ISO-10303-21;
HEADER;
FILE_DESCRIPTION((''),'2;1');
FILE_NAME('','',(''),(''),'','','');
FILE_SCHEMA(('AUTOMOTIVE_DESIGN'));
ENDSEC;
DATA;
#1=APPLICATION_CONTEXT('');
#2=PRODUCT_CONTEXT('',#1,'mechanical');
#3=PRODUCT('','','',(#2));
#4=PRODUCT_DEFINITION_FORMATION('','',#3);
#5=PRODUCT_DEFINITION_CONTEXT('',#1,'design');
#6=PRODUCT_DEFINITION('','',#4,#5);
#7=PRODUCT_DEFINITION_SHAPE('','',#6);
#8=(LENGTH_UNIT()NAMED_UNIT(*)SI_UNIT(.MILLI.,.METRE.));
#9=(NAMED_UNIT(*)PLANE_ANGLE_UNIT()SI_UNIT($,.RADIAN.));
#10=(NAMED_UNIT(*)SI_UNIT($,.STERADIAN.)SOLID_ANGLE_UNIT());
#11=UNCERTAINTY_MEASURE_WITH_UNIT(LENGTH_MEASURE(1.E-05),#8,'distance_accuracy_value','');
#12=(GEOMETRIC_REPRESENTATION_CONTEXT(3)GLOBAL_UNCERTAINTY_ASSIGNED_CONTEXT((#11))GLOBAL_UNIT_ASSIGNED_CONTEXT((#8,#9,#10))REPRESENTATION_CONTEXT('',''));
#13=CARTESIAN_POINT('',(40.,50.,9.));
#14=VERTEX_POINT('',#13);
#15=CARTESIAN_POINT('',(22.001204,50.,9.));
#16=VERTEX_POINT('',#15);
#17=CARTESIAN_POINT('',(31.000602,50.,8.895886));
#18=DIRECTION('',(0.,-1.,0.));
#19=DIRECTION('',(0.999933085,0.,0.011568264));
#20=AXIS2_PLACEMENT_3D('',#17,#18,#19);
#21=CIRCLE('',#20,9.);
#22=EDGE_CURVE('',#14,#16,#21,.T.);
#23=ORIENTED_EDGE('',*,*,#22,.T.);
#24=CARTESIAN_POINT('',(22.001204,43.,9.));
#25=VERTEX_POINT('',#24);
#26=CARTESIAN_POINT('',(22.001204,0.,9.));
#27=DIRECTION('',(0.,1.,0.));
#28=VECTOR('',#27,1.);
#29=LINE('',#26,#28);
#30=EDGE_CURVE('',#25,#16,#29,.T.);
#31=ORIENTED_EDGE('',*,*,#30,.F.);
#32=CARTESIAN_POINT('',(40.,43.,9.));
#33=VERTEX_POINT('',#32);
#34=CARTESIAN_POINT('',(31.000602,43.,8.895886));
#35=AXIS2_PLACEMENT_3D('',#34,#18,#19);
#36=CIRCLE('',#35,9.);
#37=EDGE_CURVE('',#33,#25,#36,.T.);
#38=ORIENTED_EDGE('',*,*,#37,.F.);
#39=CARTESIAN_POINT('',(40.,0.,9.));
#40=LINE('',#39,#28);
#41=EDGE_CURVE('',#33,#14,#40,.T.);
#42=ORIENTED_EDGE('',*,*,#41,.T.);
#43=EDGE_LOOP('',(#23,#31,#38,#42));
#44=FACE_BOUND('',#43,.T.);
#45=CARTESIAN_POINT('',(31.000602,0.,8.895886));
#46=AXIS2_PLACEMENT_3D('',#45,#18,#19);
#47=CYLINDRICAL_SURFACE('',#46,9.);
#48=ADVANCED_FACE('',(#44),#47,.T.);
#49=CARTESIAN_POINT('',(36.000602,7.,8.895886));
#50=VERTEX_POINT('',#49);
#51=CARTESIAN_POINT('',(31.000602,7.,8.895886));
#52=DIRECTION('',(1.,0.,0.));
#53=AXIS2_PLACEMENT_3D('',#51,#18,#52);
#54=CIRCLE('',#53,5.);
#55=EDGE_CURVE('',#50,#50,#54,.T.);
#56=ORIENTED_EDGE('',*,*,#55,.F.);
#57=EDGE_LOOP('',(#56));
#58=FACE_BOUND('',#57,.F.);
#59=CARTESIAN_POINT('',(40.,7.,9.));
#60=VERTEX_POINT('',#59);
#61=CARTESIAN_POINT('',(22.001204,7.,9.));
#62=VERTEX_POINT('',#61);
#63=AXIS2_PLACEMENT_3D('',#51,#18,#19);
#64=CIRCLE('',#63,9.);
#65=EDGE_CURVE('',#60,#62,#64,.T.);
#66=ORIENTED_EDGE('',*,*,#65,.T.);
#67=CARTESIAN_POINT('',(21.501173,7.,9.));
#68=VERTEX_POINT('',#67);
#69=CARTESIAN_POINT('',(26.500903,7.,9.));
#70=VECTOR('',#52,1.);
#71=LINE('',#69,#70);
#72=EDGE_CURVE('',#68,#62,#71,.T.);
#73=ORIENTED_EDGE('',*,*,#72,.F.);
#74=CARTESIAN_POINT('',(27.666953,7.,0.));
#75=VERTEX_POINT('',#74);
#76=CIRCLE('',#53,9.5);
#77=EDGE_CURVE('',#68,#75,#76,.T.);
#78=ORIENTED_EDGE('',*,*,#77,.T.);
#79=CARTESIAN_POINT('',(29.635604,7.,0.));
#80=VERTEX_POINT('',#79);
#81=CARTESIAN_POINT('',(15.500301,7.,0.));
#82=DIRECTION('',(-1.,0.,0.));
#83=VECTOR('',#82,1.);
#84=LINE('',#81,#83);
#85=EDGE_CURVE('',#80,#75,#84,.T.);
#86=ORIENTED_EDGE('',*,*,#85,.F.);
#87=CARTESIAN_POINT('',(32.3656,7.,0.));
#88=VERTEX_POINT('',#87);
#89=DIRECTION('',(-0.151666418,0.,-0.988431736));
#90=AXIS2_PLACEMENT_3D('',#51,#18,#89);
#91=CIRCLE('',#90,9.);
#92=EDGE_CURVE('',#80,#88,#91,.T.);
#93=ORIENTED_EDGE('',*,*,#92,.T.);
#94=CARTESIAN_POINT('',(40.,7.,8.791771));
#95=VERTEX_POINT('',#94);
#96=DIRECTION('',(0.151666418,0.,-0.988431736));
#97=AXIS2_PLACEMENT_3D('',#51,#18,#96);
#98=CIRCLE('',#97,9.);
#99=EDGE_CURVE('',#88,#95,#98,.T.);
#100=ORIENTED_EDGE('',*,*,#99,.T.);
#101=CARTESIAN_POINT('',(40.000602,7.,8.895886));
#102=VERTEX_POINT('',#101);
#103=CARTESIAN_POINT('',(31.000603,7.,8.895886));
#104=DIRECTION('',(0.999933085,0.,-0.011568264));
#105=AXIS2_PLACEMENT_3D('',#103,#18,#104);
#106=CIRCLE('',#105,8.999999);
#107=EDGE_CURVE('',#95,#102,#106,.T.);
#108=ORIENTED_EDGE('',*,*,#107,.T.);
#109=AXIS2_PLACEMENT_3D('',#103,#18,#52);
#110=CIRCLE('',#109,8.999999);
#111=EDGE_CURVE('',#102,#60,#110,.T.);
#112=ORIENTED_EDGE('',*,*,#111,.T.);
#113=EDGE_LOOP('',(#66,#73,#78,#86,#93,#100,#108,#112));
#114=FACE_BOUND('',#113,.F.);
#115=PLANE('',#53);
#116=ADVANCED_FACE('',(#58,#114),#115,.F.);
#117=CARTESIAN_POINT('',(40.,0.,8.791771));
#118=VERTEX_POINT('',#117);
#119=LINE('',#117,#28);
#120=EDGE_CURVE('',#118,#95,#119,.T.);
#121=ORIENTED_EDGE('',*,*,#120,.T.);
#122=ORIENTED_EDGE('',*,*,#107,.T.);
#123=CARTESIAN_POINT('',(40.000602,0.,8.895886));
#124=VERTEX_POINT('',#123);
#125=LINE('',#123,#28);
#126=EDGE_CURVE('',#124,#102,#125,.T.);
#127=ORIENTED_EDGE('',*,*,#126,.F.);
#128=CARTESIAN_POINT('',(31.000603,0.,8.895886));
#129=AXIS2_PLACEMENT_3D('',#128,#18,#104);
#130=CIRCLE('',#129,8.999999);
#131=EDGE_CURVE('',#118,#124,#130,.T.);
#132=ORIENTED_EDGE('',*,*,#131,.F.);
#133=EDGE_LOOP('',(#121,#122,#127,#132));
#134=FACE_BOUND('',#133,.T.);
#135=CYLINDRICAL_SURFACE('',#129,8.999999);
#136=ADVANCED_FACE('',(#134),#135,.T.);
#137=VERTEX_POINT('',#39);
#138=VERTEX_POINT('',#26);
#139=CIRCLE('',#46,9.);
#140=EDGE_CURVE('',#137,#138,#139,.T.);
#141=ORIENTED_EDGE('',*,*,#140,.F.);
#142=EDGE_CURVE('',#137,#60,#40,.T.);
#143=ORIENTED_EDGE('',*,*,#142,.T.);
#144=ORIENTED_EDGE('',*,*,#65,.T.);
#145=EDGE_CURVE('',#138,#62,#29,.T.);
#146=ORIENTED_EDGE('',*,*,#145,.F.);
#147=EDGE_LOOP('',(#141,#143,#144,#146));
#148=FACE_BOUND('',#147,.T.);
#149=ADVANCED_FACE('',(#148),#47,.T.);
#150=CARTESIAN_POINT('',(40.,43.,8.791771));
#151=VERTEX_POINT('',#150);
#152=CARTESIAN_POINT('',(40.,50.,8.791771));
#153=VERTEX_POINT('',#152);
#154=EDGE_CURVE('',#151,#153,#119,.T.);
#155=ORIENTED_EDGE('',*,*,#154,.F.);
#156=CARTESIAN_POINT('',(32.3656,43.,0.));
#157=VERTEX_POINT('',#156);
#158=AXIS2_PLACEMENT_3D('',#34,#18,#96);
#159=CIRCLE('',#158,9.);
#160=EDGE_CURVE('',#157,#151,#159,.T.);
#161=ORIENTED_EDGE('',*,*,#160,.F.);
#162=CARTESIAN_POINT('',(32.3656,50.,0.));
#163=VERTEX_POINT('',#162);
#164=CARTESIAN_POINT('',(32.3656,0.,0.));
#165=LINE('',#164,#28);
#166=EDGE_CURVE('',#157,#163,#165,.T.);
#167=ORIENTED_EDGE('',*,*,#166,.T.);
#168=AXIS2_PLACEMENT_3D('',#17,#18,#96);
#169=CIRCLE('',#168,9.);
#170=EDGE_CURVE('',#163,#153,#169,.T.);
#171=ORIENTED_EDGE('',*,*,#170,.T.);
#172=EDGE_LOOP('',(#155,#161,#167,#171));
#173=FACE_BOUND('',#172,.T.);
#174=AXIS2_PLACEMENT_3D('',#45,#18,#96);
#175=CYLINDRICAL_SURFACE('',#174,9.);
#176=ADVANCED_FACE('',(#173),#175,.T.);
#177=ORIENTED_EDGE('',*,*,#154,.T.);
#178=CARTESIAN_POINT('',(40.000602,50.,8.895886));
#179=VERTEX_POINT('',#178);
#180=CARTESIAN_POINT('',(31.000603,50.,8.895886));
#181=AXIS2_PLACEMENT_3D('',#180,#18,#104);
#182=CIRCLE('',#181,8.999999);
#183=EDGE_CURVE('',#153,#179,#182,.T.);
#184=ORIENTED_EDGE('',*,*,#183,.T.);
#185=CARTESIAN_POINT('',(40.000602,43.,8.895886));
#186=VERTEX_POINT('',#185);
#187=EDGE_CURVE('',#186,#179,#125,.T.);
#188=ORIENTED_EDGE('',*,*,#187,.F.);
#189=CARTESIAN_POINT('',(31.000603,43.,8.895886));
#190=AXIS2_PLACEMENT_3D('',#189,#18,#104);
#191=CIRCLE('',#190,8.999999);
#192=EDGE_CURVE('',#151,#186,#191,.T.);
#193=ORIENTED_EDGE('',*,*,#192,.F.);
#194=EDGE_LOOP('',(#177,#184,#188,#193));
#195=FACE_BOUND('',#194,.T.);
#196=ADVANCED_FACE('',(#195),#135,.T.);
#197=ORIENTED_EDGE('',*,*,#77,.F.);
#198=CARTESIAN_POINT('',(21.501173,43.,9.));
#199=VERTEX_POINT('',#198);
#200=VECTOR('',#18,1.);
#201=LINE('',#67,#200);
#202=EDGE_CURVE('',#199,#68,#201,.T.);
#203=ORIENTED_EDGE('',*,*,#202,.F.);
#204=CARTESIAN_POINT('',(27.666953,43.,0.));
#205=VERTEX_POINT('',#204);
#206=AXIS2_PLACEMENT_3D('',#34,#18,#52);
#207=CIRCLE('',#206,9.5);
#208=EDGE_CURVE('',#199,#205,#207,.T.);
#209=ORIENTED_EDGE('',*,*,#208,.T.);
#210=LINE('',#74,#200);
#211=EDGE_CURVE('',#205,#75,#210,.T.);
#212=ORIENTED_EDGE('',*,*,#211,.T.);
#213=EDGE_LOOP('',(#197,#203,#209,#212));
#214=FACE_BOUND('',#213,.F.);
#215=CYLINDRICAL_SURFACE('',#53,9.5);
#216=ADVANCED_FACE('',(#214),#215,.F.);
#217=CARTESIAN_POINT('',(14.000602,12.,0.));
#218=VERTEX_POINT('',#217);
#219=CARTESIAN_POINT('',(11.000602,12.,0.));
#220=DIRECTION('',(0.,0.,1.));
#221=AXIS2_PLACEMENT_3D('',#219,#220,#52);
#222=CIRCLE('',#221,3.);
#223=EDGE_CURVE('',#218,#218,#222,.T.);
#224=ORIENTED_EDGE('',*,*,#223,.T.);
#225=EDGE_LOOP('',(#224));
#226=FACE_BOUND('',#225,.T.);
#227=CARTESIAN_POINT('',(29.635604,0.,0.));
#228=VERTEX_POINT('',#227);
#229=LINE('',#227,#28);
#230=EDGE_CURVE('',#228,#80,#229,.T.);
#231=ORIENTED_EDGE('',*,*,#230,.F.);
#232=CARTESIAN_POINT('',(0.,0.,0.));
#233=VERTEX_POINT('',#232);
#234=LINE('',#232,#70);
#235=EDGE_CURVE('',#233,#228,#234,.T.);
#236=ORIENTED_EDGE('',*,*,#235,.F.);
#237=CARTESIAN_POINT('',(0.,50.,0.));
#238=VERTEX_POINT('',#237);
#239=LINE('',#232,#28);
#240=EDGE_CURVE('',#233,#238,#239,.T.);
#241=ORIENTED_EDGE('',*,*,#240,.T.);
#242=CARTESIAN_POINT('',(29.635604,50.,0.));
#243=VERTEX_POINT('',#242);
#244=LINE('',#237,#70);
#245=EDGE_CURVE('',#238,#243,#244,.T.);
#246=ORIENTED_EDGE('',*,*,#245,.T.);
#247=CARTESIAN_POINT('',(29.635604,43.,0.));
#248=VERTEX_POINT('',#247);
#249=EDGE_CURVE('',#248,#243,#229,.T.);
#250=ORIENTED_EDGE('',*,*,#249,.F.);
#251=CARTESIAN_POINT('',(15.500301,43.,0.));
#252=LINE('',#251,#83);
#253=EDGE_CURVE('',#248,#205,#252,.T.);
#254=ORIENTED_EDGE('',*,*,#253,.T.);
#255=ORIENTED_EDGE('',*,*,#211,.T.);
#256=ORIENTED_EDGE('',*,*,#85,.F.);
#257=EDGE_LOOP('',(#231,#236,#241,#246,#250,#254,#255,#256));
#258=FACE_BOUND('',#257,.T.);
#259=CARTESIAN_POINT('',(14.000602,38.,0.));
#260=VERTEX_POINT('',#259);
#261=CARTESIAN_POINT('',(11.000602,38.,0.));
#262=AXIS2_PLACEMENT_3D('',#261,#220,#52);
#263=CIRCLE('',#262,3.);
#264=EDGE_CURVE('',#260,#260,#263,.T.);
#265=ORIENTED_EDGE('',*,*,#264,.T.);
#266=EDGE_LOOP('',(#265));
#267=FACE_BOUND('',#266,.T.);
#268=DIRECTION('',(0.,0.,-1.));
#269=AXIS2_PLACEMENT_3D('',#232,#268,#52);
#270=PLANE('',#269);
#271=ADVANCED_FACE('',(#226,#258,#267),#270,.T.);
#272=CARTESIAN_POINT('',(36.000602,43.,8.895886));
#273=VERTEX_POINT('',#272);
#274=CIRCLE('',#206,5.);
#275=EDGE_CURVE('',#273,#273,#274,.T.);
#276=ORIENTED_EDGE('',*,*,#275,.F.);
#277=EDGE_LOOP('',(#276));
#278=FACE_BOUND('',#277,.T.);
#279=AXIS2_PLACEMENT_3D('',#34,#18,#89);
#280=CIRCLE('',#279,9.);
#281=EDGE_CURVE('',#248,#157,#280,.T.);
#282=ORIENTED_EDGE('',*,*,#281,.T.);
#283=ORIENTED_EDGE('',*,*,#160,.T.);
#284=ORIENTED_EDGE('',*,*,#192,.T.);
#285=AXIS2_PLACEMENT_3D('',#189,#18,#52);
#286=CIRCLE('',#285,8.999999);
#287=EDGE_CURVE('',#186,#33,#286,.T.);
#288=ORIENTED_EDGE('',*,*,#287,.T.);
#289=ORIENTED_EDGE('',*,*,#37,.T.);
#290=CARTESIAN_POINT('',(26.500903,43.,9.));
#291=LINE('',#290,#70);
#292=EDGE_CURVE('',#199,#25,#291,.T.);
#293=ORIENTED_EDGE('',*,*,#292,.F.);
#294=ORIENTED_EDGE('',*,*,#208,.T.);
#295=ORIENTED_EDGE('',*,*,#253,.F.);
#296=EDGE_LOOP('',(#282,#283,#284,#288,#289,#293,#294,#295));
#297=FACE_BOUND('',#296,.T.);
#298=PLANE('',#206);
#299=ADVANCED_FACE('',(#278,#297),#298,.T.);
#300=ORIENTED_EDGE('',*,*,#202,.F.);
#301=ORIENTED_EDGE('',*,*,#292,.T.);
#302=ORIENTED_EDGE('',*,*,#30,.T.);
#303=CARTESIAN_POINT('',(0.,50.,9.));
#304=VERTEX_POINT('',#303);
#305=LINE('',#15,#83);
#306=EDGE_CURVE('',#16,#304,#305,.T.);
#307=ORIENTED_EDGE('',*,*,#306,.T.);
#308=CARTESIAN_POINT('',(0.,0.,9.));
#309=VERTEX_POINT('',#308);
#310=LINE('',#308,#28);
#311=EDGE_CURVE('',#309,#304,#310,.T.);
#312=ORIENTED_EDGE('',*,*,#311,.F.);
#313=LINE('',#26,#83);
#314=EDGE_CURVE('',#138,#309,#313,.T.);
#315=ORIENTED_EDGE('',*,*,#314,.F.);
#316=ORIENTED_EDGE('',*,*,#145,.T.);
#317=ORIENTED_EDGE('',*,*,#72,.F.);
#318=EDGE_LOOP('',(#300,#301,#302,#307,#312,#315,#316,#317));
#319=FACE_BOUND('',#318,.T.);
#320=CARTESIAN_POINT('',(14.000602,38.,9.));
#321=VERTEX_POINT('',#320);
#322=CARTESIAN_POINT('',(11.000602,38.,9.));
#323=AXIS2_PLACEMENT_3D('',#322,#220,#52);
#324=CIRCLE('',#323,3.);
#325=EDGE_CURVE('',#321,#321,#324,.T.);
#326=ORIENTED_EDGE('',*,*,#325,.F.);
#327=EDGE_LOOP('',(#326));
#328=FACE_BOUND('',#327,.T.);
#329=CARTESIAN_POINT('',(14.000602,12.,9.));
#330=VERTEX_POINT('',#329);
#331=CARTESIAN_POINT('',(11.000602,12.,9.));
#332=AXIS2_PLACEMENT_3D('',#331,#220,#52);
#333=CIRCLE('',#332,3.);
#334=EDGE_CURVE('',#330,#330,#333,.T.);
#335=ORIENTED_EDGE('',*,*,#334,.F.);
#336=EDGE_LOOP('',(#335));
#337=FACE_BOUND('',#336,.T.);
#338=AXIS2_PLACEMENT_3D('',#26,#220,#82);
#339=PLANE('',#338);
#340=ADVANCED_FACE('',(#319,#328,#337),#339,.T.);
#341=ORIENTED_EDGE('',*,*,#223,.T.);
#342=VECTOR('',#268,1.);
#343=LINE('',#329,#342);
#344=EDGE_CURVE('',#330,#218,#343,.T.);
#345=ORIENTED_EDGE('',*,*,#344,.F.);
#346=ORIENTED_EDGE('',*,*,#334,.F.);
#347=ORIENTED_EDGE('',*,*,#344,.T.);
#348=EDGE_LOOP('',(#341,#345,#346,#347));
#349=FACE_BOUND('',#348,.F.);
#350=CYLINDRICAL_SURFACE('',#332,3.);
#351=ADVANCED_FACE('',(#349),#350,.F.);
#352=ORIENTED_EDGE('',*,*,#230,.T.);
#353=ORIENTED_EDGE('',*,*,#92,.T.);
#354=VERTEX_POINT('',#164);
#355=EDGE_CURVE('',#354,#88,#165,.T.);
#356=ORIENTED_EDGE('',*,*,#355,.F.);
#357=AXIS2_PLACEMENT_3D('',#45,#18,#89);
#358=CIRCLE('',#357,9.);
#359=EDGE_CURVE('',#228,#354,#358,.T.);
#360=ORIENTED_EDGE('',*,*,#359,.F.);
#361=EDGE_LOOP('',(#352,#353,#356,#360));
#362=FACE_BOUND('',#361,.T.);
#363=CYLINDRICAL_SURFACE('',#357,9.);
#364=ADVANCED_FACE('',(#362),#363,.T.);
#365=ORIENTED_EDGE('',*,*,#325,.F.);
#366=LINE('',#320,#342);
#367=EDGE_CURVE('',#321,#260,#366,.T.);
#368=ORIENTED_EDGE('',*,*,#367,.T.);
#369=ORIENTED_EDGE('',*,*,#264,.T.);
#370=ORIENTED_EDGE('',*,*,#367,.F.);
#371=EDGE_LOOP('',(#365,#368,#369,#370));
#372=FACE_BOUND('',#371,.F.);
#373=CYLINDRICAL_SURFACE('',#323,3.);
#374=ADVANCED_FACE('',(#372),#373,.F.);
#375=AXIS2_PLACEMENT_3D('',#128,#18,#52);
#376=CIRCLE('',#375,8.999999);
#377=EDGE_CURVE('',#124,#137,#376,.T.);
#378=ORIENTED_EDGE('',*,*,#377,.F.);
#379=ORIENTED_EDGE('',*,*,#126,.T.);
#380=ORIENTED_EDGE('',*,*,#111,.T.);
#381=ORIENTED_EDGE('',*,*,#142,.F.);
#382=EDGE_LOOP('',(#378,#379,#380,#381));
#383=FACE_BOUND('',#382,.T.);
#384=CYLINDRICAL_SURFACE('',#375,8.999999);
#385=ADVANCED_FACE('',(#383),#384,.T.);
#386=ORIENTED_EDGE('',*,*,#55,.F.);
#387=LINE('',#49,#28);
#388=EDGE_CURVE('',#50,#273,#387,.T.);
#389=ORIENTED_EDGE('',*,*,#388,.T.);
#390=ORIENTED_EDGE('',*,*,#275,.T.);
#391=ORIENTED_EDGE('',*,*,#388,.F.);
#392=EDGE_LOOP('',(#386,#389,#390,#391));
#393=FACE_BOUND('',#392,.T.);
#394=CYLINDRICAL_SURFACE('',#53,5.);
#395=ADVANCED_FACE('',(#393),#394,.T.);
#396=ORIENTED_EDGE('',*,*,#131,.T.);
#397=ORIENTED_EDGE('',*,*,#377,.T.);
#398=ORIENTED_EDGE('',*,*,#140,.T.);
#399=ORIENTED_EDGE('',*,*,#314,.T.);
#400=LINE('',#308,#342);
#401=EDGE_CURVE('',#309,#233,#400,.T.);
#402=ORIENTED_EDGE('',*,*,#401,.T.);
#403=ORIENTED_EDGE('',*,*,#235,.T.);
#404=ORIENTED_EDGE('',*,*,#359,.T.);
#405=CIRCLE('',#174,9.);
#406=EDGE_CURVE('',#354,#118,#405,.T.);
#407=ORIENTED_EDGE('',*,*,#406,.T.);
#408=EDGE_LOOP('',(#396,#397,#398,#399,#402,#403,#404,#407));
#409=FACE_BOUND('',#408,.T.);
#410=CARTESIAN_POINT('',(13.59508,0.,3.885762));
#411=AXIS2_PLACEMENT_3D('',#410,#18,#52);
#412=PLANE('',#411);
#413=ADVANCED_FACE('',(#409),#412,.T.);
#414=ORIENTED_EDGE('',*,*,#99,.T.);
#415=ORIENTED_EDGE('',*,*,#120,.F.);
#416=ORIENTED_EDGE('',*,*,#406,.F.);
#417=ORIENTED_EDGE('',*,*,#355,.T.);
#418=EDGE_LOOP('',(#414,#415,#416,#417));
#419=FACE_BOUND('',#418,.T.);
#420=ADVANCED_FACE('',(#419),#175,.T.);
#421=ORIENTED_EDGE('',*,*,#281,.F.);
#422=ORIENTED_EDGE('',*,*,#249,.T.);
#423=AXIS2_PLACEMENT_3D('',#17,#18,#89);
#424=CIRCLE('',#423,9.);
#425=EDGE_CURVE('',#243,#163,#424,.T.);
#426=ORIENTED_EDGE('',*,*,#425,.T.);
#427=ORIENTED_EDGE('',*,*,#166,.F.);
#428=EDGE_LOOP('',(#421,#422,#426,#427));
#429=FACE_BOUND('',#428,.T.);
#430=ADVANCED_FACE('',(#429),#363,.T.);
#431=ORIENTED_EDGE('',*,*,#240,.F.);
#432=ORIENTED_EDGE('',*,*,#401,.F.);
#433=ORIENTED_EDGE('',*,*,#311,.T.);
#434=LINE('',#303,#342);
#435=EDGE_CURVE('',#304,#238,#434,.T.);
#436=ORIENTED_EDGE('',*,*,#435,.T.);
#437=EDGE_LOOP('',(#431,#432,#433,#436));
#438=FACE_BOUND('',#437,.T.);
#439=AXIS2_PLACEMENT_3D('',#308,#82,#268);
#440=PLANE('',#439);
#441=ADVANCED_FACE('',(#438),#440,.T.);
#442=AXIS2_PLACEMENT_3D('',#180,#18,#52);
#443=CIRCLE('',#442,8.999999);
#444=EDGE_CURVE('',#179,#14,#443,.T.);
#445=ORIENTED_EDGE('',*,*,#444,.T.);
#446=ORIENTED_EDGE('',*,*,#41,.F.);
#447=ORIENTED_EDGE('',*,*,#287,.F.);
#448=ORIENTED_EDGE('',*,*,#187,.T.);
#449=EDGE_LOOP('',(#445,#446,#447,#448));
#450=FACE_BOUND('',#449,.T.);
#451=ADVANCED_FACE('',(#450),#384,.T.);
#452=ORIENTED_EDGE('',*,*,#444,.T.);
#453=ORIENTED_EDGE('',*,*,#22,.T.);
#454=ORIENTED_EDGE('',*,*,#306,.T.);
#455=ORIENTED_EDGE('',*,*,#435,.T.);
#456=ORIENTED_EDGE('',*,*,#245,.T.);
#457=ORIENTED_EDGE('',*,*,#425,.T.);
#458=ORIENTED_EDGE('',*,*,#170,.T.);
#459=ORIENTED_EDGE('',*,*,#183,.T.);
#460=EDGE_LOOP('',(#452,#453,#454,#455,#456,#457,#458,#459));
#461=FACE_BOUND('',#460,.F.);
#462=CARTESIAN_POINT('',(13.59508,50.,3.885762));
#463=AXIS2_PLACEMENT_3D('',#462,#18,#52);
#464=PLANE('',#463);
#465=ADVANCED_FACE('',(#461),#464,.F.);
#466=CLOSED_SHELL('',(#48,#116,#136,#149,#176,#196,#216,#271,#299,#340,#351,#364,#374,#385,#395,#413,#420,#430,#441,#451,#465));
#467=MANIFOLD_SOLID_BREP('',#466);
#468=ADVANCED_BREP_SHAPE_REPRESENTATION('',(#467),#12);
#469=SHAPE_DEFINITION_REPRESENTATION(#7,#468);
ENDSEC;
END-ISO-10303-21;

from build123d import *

# Parameters (mm, degrees)
F1_DEPTH = 50
F2_R     = 3
F3_DEPTH = 25
F5_R     = 9.5
F5_R_2   = 5
F6_DEPTH = 36


with BuildPart() as f1:
    # F0 (on Front) → F1 (new body)
    with BuildSketch(Plane.XZ):
        with BuildLine():
            Line((0, 9), (0, 0))
            Line((0, 0), (29.635604471, 0))
            ThreePointArc((29.635604471, 0), (24.1372813391, 3.0739592866), (22.0012044628, 9))
            Line((22.0012044628, 9), (0, 9))
        make_face()
        with BuildLine():
            ThreePointArc((22.0012044628, 9), (24.1372813391, 3.0739592866), (29.635604471, 0))
            Line((29.635604471, 0), (32.3655999918, 0))
            ThreePointArc((32.3655999918, 0), (37.7961142893, 2.9949521539), (40, 8.7917712569))
            Line((40, 8.7917712569), (40, 9))
            ThreePointArc((40, 9), (31.0006022314, 17.8958856284), (22.0012044628, 9))
        make_face()
        with BuildLine():
            Line((32.3655999918, 0), (29.635604471, 0))
            ThreePointArc((29.635604471, 0), (31.0006022314, -0.1041143716), (32.3655999918, 0))
        make_face()
        with BuildLine():
            Line((40, 9), (40, 8.7917712569))
            ThreePointArc((40, 8.7917712569), (40.0004516723, 8.8438275718), (40.0006022314, 8.8958856284))
            ThreePointArc((40.0006022314, 8.8958856284), (40.0004516723, 8.9479436851), (40, 9))
        make_face()
    extrude(amount=-F1_DEPTH)

    # F2 (on face) → F3 (cut)
    with BuildSketch(Plane.XY.offset(9)):
        with Locations((11.0006022314, 38)):
            Circle(F2_R)
        with Locations((11.0006022314, 12)):
            Circle(F2_R)
    extrude(amount=-F3_DEPTH, mode=Mode.SUBTRACT)

    # F5 (on offset) → F6 (cut)
    with BuildSketch(Plane.XZ.offset(-7)):
        with Locations((31.0006022314, 8.8958856284)):
            Circle(F5_R)
        with Locations((31.0006022314, 8.8958856284)):
            Circle(F5_R_2, mode=Mode.SUBTRACT)
    extrude(amount=-F6_DEPTH, mode=Mode.SUBTRACT)


solid = f1.part
